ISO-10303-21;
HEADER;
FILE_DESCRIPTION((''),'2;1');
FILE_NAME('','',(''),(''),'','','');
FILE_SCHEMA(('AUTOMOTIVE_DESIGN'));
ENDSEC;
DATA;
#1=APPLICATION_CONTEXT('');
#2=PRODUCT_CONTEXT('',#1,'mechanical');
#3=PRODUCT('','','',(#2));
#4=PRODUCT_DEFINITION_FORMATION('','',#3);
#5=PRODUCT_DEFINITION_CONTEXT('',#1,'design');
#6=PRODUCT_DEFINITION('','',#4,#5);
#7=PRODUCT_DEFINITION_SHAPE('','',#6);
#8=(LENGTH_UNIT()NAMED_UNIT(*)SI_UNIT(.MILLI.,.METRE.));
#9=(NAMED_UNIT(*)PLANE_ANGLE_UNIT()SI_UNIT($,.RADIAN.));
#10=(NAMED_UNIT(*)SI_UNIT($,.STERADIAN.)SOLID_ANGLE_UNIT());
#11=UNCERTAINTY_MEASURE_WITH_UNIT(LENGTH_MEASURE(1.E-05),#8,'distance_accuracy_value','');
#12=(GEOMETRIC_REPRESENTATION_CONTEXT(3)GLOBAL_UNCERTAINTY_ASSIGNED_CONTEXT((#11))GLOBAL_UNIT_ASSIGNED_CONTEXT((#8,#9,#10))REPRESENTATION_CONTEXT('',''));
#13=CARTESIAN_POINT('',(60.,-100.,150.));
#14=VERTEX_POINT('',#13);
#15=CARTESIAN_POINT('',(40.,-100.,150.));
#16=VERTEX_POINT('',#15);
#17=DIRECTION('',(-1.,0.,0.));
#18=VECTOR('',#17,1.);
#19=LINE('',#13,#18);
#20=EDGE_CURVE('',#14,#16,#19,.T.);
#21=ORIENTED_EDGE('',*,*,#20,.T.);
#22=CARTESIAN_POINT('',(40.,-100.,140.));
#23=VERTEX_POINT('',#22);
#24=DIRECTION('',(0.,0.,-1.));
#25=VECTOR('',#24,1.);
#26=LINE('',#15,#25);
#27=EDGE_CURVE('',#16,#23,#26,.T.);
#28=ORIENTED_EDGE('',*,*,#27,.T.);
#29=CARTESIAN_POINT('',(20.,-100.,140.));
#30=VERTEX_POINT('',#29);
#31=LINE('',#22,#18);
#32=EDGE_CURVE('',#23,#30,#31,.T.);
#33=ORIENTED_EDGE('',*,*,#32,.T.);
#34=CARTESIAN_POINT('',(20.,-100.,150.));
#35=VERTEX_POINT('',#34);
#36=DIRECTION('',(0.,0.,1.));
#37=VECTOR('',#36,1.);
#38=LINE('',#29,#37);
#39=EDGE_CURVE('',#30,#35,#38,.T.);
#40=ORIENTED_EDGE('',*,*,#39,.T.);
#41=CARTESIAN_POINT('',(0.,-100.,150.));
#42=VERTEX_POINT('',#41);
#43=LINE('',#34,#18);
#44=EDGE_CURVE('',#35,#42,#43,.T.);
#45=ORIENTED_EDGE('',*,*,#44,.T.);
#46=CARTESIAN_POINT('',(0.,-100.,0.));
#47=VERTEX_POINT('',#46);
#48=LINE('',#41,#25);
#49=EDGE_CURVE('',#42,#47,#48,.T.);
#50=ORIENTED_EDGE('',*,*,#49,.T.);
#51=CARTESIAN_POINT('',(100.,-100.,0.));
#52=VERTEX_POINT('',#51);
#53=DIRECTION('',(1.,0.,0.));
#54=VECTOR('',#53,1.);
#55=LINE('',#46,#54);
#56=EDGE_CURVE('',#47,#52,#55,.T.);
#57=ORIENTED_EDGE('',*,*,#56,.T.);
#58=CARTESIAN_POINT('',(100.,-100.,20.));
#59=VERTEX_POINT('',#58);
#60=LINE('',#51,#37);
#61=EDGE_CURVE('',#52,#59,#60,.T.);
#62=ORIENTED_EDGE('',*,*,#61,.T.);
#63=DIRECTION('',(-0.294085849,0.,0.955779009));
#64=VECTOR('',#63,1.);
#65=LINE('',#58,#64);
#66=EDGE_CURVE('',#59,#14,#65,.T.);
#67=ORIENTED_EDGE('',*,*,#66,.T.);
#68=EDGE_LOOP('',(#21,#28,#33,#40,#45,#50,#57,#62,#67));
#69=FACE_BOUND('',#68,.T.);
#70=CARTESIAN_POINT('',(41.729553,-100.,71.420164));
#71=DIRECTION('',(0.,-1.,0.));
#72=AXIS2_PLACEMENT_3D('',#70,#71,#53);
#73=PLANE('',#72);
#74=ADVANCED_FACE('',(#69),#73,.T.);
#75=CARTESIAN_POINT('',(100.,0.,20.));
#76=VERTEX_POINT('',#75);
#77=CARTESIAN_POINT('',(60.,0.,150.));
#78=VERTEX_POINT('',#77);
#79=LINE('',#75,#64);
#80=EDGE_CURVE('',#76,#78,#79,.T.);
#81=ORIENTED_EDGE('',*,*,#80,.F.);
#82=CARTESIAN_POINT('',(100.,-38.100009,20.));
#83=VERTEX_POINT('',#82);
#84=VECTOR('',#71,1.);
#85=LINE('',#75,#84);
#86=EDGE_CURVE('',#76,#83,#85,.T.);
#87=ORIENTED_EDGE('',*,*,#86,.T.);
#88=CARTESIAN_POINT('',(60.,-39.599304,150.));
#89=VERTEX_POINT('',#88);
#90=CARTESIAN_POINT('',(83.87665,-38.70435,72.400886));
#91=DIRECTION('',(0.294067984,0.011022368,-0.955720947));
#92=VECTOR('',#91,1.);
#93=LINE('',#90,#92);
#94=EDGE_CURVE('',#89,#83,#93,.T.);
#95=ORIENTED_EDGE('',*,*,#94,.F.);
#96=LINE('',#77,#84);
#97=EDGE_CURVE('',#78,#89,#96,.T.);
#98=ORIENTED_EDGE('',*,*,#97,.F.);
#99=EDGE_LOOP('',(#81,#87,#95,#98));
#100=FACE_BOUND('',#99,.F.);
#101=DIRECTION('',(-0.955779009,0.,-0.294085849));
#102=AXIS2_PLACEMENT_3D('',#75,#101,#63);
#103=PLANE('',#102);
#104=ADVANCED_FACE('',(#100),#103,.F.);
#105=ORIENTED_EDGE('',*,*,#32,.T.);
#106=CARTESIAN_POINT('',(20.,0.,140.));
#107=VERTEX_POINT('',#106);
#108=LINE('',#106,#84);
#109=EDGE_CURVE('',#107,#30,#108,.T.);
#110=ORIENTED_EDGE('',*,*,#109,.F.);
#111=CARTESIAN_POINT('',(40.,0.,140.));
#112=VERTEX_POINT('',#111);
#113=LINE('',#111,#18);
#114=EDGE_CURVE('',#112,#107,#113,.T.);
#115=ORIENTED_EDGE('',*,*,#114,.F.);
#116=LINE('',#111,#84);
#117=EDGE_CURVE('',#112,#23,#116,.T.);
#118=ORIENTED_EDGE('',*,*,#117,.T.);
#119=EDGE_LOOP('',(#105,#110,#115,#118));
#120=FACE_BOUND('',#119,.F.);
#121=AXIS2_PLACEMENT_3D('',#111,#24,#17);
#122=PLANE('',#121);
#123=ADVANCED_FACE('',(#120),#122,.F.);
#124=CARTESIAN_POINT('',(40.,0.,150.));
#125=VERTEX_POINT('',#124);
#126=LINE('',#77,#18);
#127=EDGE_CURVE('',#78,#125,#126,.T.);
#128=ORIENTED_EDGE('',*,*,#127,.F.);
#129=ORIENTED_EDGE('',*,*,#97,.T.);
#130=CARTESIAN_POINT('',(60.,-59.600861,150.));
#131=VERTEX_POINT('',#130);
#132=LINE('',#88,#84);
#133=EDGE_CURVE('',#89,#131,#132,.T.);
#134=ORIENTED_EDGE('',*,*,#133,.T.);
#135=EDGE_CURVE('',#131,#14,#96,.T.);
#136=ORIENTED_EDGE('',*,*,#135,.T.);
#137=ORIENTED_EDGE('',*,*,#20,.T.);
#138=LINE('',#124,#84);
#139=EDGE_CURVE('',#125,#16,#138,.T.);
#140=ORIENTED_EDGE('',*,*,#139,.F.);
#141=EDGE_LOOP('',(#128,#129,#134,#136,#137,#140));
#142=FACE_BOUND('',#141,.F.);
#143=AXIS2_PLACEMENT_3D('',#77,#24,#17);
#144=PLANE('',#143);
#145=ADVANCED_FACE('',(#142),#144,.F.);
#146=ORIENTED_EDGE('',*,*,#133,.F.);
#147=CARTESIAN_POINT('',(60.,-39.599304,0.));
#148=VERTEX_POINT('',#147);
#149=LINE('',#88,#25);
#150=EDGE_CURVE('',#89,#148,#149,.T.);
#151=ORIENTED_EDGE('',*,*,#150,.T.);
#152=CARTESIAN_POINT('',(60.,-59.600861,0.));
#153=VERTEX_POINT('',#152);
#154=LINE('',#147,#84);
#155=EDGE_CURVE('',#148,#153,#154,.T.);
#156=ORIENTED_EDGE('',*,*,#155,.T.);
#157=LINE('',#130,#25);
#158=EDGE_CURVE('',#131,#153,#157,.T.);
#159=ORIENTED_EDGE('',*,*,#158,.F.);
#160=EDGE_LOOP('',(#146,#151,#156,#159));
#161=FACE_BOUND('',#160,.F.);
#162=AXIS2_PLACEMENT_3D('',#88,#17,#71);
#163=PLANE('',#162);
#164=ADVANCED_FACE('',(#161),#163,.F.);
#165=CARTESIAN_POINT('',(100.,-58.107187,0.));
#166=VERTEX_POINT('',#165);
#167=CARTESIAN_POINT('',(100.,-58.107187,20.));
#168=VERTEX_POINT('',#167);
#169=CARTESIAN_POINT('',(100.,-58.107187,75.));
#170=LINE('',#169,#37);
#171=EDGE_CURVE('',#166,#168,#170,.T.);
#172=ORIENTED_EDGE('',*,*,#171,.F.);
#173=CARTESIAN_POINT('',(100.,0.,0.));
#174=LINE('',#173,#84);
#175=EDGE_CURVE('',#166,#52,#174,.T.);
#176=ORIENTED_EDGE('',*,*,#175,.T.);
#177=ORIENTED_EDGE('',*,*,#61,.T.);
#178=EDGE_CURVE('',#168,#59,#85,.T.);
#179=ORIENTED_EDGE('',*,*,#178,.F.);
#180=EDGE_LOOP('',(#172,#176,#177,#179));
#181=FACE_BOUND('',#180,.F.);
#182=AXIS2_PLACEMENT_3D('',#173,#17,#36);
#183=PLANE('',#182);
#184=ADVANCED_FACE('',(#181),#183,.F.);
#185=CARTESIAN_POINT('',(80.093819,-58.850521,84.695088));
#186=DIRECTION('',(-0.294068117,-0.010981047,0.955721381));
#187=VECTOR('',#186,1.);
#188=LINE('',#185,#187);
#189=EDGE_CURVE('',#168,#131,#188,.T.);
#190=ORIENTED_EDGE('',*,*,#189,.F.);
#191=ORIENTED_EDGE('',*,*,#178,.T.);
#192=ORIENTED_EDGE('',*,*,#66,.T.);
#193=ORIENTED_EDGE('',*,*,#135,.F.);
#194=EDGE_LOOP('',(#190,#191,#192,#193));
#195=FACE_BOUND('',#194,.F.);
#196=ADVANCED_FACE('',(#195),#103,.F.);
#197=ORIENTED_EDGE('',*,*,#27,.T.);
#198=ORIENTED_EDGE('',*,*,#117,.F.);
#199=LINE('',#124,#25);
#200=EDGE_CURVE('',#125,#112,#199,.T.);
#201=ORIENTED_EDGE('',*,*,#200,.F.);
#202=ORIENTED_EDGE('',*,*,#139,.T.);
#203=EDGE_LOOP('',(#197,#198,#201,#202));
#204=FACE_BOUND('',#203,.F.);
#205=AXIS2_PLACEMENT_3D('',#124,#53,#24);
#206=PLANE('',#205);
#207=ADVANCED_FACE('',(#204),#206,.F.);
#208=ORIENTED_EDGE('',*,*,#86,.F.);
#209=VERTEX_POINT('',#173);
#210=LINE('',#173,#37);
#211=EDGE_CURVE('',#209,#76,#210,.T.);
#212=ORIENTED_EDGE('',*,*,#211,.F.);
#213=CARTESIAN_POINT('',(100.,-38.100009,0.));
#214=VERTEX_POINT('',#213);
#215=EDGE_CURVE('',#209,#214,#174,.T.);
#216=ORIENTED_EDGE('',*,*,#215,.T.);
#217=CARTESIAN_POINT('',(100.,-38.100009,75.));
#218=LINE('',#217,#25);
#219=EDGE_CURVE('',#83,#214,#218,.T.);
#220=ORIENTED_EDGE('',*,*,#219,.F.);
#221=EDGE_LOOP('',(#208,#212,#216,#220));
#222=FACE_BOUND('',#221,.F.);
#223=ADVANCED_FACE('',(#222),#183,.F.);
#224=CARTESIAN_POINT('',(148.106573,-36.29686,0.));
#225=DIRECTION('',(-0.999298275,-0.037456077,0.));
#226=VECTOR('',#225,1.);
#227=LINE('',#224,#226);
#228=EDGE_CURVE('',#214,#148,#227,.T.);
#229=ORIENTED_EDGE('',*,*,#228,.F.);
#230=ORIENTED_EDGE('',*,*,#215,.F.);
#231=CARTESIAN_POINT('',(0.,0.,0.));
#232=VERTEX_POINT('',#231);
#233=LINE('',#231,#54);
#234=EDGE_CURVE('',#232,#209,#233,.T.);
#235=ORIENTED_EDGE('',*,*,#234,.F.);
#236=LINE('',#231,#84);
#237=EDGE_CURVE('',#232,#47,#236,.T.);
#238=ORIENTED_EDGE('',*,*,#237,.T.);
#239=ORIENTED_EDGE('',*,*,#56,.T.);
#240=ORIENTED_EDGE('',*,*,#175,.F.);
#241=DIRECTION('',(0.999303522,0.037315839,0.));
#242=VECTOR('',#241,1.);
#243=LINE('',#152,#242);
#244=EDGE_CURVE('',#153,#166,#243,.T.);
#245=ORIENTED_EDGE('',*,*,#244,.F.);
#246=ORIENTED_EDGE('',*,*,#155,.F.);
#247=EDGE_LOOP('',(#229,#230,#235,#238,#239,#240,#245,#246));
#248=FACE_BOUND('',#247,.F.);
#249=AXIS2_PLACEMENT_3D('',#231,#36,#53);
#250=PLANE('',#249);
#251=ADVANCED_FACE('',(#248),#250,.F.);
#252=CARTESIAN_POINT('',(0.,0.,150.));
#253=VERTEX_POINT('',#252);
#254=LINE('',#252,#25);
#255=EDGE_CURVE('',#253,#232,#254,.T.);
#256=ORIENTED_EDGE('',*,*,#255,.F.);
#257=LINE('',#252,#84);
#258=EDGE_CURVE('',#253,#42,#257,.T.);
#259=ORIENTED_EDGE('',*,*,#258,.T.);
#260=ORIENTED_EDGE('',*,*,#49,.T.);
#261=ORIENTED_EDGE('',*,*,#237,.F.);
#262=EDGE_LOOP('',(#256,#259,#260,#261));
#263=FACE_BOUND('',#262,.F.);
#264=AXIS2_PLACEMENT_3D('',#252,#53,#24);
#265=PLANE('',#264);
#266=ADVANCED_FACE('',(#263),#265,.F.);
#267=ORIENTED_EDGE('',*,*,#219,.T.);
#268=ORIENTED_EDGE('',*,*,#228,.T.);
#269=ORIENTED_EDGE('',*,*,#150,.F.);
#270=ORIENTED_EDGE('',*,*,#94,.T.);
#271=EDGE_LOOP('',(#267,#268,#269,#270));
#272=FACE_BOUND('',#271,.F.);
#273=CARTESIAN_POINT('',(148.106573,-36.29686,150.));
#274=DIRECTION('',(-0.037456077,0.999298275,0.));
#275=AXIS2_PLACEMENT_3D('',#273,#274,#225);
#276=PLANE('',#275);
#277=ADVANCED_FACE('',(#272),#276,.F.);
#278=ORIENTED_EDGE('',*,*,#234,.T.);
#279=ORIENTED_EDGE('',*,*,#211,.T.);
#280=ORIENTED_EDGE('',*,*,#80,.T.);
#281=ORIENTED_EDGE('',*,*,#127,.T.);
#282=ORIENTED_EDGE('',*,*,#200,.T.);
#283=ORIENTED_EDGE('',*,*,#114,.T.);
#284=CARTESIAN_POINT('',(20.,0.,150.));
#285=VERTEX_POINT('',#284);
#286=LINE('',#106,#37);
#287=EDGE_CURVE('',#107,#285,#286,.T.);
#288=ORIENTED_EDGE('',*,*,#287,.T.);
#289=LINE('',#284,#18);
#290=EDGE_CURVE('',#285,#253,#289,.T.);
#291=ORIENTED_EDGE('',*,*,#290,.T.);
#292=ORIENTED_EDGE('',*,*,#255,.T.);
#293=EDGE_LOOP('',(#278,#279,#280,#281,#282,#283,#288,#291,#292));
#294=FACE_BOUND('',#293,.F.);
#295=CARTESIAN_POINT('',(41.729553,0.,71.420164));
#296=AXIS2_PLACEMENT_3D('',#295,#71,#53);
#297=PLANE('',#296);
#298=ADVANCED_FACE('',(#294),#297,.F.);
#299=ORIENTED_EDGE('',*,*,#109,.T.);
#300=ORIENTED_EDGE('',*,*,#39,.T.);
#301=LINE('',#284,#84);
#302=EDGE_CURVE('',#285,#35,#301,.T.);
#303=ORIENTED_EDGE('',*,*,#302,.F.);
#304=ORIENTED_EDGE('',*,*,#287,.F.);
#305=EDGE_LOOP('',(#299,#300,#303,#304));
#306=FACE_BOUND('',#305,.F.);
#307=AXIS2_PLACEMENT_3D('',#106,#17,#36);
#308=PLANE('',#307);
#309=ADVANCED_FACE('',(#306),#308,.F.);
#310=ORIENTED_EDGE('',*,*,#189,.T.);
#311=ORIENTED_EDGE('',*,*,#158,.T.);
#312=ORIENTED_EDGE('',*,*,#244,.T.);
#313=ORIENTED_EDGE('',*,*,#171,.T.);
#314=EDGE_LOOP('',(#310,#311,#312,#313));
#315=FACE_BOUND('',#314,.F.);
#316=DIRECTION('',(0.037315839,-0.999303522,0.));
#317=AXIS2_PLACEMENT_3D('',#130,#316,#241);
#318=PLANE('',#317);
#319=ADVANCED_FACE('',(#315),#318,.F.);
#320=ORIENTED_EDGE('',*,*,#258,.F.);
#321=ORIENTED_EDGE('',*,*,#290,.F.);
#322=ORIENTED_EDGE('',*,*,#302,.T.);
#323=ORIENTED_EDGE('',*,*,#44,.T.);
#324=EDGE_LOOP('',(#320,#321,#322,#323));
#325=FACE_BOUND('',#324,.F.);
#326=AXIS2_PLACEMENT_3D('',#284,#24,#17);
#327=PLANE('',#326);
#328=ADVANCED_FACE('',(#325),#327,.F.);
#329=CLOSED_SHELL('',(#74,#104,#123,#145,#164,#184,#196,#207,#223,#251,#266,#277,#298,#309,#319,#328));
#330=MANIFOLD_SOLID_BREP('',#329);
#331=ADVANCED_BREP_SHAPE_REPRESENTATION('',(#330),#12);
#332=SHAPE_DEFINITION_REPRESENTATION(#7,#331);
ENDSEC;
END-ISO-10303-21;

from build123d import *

# Parameters (mm, degrees)
F1_DEPTH = 100
F3_DEPTH = 150


with BuildPart() as f1:
    # F0 (on Front) → F1 (new body)
    with BuildSketch(Plane.XZ):
        Polygon((0, 150), (0, 0), (100, 0), (100, 20), (60, 150), (40, 150), (40, 140), (20, 140), (20, 150), align=None)
    extrude(amount=F1_DEPTH)

    # F2 (on face) → F3 (cut)
    with BuildSketch(Plane.XY.offset(150)):
        Polygon((60, -39.599304), (60, -59.600861), (148.85289, -56.28293), (148.106573, -36.29686), align=None)
    extrude(amount=-F3_DEPTH, mode=Mode.SUBTRACT)


solid = f1.part
